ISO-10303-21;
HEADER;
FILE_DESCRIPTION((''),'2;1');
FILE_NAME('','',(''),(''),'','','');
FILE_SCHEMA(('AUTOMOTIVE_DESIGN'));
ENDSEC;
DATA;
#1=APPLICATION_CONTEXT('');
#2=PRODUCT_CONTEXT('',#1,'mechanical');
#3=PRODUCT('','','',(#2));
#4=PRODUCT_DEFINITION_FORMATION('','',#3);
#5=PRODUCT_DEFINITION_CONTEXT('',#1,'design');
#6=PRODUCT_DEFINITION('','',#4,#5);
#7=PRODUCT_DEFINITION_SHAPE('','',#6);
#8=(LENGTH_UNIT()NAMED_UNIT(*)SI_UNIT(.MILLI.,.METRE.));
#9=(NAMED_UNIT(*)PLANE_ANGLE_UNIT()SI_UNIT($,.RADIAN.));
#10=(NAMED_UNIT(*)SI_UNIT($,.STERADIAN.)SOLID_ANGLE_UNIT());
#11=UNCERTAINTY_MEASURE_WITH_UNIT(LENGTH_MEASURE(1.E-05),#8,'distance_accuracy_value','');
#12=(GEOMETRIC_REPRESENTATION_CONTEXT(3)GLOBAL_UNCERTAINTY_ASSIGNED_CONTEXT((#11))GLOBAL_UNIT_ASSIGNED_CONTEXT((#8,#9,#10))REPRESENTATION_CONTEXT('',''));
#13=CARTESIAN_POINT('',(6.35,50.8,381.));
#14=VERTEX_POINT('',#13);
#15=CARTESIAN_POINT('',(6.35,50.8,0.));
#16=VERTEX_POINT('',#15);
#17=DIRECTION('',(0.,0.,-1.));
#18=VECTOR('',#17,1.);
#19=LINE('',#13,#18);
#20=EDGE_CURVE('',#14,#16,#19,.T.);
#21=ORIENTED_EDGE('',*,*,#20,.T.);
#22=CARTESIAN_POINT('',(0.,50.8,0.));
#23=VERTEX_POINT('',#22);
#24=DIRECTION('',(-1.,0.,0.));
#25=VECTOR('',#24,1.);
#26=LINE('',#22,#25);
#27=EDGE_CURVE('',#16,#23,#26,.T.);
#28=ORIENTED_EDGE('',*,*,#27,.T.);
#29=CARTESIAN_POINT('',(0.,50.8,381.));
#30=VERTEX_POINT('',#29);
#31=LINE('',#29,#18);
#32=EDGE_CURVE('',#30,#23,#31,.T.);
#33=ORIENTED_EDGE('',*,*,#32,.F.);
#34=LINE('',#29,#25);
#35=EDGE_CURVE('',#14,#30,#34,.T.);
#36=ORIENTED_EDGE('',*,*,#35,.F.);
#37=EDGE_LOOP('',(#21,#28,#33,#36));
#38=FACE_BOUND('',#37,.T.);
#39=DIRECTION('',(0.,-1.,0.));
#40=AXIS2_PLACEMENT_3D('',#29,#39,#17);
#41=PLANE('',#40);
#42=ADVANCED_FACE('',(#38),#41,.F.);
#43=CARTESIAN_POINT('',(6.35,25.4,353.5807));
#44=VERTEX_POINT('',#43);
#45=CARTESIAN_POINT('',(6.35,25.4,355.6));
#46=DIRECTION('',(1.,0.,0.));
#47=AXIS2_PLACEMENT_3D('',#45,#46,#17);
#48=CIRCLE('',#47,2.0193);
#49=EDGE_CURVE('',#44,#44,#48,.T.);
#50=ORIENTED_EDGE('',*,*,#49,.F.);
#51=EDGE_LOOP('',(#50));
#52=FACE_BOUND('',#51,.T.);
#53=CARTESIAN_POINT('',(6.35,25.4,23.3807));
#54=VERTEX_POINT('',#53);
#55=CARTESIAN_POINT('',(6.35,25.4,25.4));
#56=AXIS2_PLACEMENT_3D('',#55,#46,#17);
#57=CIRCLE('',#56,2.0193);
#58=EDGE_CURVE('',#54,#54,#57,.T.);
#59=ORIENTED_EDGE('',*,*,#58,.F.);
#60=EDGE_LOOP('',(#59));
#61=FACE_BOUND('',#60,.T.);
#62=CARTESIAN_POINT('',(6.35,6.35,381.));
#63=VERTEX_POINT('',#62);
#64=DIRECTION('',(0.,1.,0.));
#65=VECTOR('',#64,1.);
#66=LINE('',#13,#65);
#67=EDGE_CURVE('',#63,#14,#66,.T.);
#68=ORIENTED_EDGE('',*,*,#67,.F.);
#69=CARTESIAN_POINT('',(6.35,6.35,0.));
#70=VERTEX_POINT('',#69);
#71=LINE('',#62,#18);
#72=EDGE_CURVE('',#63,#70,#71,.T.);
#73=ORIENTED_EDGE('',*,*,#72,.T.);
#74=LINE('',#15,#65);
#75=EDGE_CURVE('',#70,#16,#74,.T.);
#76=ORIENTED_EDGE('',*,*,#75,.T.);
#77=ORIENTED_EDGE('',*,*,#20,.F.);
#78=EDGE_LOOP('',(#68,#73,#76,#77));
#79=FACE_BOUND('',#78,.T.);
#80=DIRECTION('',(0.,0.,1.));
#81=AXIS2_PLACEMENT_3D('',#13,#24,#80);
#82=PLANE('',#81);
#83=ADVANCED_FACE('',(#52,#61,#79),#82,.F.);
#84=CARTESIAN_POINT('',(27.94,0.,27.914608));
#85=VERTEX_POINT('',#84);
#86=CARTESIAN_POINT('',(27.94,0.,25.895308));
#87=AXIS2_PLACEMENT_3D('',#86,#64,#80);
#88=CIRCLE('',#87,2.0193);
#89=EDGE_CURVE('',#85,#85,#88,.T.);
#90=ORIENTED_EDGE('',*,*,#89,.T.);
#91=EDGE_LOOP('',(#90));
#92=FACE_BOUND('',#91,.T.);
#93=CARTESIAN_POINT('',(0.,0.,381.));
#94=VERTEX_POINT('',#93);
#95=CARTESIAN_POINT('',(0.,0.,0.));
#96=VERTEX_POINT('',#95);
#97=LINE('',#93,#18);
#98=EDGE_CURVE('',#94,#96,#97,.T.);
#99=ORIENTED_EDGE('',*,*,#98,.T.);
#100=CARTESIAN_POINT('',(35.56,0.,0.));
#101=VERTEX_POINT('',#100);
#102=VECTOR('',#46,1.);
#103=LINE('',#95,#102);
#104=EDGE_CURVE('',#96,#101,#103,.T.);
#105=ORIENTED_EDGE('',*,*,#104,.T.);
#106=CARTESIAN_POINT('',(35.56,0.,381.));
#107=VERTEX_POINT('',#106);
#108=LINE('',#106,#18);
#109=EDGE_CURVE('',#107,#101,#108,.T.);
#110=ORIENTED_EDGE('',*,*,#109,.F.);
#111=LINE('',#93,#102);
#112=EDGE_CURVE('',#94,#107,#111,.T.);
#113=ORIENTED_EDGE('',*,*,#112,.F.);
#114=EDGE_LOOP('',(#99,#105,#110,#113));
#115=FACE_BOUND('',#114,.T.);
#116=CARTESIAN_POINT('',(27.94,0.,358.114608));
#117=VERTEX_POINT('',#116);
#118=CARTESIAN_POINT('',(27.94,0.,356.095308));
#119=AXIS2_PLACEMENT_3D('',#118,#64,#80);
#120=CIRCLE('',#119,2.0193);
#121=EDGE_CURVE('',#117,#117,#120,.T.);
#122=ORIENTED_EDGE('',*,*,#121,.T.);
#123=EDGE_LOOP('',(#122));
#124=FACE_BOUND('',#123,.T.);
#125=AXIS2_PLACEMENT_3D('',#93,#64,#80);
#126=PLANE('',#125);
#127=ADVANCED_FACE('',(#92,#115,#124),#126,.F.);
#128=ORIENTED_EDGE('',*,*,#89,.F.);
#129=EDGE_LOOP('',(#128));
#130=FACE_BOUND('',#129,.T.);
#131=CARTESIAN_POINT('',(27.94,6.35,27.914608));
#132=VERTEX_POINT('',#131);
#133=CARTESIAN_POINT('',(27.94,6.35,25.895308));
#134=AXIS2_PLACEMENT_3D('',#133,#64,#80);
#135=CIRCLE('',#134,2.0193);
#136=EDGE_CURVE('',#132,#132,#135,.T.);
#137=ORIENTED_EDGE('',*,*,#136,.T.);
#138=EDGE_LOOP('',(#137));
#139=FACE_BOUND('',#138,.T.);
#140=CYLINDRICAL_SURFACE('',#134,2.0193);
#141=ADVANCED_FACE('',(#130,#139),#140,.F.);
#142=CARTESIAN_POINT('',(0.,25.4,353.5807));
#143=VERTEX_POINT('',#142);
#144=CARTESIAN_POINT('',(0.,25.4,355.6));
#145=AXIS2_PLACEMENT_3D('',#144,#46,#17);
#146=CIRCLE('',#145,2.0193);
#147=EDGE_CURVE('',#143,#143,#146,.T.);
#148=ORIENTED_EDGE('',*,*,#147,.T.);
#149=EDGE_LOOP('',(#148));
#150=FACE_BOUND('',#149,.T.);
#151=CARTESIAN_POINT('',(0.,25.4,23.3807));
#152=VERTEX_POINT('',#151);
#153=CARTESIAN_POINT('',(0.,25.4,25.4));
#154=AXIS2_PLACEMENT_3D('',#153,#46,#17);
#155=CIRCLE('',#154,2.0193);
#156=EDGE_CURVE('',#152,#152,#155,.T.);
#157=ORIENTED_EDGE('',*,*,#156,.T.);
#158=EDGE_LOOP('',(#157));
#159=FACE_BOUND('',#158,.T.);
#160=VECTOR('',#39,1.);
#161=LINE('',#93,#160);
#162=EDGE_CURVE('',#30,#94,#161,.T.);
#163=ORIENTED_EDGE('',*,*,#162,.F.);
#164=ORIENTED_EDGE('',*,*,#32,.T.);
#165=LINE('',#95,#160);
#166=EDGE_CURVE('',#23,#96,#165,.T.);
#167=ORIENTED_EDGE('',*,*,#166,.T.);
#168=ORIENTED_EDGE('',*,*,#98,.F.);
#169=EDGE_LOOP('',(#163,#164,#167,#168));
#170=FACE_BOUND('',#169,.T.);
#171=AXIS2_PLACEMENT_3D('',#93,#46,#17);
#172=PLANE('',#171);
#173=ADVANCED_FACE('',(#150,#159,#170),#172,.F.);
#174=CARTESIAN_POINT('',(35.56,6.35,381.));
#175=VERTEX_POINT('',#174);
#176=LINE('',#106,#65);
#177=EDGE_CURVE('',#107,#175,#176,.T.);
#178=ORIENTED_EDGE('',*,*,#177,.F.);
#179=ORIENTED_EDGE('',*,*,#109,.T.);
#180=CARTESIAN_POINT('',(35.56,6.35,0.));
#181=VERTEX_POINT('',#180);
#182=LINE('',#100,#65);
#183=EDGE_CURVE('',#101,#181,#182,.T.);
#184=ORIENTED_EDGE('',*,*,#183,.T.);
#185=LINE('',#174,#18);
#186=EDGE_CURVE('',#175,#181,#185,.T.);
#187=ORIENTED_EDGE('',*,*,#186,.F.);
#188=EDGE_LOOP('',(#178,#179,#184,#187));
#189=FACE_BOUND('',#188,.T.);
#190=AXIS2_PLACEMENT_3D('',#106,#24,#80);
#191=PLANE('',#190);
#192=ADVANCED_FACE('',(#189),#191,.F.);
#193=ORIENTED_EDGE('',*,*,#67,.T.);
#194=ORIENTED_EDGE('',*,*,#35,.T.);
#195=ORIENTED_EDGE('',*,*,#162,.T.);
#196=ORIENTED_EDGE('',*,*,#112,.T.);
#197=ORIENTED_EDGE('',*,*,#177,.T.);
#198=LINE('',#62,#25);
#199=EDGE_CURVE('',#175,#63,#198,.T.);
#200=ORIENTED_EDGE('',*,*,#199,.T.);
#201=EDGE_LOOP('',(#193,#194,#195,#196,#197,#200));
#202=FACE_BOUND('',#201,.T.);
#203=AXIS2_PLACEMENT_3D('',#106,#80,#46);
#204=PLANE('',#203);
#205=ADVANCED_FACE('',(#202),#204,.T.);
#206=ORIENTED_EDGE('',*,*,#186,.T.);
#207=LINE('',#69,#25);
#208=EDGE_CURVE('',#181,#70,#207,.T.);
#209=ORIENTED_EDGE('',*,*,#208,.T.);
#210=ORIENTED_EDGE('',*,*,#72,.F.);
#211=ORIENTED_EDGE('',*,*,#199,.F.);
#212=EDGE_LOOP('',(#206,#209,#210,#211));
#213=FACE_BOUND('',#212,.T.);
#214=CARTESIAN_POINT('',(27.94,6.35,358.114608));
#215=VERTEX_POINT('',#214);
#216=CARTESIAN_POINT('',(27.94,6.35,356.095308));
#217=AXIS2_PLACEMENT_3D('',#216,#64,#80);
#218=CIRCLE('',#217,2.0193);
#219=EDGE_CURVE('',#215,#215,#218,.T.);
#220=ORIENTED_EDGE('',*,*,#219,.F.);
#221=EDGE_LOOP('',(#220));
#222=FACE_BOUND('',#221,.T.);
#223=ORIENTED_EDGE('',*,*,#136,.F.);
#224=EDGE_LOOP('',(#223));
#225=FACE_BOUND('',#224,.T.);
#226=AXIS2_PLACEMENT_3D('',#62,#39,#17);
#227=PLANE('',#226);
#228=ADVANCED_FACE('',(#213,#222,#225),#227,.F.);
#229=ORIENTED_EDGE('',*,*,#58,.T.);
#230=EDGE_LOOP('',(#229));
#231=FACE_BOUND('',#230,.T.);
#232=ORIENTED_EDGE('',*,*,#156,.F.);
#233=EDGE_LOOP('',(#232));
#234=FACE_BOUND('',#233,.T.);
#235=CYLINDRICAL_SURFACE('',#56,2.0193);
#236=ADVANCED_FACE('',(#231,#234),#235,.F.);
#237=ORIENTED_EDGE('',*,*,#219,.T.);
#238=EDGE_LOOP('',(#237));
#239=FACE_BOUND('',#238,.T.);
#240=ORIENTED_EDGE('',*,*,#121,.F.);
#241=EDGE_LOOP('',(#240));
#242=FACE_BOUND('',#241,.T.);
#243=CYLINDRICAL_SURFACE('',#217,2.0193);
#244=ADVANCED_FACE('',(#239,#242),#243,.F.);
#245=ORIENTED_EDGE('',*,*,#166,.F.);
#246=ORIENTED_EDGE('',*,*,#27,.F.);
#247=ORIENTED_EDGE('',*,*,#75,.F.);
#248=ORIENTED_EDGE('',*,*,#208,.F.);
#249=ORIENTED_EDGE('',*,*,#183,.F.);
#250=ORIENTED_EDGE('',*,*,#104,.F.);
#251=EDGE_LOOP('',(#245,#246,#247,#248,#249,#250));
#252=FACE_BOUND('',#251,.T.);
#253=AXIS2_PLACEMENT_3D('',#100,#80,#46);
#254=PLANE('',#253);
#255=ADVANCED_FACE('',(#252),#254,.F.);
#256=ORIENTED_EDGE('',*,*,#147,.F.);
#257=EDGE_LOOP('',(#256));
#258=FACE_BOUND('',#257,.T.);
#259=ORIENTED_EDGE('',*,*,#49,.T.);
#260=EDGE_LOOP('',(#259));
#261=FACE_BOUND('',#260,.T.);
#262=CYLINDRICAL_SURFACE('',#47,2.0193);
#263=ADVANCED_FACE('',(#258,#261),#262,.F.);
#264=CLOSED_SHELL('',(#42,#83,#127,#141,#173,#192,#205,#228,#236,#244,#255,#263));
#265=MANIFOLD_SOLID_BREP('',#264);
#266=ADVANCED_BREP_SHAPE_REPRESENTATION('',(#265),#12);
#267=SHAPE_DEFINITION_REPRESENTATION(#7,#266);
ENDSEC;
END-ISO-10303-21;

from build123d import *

# Parameters (mm, degrees)
BOSS_EXTRUDE1_DEPTH    = 381
F_10_32_TAPPED_HOLE5_D = 4.0386
F_10_32_TAPPED_HOLE6_D = 4.0386


with BuildPart() as part:
    # Sketch1 → Boss-Extrude1 (new body)
    with BuildSketch(Plane.XY):
        Polygon((0, 0), (0, 50.8), (6.35, 50.8), (6.35, 6.35), (35.56, 6.35), (35.56, 0), align=None)
    extrude(amount=BOSS_EXTRUDE1_DEPTH)

    # #10-32 Tapped Hole5 (through all)
    with Locations(Plane(origin=(6.35, 0, 0), x_dir=(0, 0, -1), z_dir=(1, 0, 0))):
        with Locations((-355.6, 25.4), (-25.4, 25.4)):
            Hole(F_10_32_TAPPED_HOLE5_D / 2)

    # #10-32 Tapped Hole6 (through all)
    with Locations(Plane(origin=(0, 6.35, 0), x_dir=(-1, 0, 0), z_dir=(0, 1, 0))):
        with Locations((-27.94, 356.095307591), (-27.94, 25.895307591)):
            Hole(F_10_32_TAPPED_HOLE6_D / 2)


solid = part.part
